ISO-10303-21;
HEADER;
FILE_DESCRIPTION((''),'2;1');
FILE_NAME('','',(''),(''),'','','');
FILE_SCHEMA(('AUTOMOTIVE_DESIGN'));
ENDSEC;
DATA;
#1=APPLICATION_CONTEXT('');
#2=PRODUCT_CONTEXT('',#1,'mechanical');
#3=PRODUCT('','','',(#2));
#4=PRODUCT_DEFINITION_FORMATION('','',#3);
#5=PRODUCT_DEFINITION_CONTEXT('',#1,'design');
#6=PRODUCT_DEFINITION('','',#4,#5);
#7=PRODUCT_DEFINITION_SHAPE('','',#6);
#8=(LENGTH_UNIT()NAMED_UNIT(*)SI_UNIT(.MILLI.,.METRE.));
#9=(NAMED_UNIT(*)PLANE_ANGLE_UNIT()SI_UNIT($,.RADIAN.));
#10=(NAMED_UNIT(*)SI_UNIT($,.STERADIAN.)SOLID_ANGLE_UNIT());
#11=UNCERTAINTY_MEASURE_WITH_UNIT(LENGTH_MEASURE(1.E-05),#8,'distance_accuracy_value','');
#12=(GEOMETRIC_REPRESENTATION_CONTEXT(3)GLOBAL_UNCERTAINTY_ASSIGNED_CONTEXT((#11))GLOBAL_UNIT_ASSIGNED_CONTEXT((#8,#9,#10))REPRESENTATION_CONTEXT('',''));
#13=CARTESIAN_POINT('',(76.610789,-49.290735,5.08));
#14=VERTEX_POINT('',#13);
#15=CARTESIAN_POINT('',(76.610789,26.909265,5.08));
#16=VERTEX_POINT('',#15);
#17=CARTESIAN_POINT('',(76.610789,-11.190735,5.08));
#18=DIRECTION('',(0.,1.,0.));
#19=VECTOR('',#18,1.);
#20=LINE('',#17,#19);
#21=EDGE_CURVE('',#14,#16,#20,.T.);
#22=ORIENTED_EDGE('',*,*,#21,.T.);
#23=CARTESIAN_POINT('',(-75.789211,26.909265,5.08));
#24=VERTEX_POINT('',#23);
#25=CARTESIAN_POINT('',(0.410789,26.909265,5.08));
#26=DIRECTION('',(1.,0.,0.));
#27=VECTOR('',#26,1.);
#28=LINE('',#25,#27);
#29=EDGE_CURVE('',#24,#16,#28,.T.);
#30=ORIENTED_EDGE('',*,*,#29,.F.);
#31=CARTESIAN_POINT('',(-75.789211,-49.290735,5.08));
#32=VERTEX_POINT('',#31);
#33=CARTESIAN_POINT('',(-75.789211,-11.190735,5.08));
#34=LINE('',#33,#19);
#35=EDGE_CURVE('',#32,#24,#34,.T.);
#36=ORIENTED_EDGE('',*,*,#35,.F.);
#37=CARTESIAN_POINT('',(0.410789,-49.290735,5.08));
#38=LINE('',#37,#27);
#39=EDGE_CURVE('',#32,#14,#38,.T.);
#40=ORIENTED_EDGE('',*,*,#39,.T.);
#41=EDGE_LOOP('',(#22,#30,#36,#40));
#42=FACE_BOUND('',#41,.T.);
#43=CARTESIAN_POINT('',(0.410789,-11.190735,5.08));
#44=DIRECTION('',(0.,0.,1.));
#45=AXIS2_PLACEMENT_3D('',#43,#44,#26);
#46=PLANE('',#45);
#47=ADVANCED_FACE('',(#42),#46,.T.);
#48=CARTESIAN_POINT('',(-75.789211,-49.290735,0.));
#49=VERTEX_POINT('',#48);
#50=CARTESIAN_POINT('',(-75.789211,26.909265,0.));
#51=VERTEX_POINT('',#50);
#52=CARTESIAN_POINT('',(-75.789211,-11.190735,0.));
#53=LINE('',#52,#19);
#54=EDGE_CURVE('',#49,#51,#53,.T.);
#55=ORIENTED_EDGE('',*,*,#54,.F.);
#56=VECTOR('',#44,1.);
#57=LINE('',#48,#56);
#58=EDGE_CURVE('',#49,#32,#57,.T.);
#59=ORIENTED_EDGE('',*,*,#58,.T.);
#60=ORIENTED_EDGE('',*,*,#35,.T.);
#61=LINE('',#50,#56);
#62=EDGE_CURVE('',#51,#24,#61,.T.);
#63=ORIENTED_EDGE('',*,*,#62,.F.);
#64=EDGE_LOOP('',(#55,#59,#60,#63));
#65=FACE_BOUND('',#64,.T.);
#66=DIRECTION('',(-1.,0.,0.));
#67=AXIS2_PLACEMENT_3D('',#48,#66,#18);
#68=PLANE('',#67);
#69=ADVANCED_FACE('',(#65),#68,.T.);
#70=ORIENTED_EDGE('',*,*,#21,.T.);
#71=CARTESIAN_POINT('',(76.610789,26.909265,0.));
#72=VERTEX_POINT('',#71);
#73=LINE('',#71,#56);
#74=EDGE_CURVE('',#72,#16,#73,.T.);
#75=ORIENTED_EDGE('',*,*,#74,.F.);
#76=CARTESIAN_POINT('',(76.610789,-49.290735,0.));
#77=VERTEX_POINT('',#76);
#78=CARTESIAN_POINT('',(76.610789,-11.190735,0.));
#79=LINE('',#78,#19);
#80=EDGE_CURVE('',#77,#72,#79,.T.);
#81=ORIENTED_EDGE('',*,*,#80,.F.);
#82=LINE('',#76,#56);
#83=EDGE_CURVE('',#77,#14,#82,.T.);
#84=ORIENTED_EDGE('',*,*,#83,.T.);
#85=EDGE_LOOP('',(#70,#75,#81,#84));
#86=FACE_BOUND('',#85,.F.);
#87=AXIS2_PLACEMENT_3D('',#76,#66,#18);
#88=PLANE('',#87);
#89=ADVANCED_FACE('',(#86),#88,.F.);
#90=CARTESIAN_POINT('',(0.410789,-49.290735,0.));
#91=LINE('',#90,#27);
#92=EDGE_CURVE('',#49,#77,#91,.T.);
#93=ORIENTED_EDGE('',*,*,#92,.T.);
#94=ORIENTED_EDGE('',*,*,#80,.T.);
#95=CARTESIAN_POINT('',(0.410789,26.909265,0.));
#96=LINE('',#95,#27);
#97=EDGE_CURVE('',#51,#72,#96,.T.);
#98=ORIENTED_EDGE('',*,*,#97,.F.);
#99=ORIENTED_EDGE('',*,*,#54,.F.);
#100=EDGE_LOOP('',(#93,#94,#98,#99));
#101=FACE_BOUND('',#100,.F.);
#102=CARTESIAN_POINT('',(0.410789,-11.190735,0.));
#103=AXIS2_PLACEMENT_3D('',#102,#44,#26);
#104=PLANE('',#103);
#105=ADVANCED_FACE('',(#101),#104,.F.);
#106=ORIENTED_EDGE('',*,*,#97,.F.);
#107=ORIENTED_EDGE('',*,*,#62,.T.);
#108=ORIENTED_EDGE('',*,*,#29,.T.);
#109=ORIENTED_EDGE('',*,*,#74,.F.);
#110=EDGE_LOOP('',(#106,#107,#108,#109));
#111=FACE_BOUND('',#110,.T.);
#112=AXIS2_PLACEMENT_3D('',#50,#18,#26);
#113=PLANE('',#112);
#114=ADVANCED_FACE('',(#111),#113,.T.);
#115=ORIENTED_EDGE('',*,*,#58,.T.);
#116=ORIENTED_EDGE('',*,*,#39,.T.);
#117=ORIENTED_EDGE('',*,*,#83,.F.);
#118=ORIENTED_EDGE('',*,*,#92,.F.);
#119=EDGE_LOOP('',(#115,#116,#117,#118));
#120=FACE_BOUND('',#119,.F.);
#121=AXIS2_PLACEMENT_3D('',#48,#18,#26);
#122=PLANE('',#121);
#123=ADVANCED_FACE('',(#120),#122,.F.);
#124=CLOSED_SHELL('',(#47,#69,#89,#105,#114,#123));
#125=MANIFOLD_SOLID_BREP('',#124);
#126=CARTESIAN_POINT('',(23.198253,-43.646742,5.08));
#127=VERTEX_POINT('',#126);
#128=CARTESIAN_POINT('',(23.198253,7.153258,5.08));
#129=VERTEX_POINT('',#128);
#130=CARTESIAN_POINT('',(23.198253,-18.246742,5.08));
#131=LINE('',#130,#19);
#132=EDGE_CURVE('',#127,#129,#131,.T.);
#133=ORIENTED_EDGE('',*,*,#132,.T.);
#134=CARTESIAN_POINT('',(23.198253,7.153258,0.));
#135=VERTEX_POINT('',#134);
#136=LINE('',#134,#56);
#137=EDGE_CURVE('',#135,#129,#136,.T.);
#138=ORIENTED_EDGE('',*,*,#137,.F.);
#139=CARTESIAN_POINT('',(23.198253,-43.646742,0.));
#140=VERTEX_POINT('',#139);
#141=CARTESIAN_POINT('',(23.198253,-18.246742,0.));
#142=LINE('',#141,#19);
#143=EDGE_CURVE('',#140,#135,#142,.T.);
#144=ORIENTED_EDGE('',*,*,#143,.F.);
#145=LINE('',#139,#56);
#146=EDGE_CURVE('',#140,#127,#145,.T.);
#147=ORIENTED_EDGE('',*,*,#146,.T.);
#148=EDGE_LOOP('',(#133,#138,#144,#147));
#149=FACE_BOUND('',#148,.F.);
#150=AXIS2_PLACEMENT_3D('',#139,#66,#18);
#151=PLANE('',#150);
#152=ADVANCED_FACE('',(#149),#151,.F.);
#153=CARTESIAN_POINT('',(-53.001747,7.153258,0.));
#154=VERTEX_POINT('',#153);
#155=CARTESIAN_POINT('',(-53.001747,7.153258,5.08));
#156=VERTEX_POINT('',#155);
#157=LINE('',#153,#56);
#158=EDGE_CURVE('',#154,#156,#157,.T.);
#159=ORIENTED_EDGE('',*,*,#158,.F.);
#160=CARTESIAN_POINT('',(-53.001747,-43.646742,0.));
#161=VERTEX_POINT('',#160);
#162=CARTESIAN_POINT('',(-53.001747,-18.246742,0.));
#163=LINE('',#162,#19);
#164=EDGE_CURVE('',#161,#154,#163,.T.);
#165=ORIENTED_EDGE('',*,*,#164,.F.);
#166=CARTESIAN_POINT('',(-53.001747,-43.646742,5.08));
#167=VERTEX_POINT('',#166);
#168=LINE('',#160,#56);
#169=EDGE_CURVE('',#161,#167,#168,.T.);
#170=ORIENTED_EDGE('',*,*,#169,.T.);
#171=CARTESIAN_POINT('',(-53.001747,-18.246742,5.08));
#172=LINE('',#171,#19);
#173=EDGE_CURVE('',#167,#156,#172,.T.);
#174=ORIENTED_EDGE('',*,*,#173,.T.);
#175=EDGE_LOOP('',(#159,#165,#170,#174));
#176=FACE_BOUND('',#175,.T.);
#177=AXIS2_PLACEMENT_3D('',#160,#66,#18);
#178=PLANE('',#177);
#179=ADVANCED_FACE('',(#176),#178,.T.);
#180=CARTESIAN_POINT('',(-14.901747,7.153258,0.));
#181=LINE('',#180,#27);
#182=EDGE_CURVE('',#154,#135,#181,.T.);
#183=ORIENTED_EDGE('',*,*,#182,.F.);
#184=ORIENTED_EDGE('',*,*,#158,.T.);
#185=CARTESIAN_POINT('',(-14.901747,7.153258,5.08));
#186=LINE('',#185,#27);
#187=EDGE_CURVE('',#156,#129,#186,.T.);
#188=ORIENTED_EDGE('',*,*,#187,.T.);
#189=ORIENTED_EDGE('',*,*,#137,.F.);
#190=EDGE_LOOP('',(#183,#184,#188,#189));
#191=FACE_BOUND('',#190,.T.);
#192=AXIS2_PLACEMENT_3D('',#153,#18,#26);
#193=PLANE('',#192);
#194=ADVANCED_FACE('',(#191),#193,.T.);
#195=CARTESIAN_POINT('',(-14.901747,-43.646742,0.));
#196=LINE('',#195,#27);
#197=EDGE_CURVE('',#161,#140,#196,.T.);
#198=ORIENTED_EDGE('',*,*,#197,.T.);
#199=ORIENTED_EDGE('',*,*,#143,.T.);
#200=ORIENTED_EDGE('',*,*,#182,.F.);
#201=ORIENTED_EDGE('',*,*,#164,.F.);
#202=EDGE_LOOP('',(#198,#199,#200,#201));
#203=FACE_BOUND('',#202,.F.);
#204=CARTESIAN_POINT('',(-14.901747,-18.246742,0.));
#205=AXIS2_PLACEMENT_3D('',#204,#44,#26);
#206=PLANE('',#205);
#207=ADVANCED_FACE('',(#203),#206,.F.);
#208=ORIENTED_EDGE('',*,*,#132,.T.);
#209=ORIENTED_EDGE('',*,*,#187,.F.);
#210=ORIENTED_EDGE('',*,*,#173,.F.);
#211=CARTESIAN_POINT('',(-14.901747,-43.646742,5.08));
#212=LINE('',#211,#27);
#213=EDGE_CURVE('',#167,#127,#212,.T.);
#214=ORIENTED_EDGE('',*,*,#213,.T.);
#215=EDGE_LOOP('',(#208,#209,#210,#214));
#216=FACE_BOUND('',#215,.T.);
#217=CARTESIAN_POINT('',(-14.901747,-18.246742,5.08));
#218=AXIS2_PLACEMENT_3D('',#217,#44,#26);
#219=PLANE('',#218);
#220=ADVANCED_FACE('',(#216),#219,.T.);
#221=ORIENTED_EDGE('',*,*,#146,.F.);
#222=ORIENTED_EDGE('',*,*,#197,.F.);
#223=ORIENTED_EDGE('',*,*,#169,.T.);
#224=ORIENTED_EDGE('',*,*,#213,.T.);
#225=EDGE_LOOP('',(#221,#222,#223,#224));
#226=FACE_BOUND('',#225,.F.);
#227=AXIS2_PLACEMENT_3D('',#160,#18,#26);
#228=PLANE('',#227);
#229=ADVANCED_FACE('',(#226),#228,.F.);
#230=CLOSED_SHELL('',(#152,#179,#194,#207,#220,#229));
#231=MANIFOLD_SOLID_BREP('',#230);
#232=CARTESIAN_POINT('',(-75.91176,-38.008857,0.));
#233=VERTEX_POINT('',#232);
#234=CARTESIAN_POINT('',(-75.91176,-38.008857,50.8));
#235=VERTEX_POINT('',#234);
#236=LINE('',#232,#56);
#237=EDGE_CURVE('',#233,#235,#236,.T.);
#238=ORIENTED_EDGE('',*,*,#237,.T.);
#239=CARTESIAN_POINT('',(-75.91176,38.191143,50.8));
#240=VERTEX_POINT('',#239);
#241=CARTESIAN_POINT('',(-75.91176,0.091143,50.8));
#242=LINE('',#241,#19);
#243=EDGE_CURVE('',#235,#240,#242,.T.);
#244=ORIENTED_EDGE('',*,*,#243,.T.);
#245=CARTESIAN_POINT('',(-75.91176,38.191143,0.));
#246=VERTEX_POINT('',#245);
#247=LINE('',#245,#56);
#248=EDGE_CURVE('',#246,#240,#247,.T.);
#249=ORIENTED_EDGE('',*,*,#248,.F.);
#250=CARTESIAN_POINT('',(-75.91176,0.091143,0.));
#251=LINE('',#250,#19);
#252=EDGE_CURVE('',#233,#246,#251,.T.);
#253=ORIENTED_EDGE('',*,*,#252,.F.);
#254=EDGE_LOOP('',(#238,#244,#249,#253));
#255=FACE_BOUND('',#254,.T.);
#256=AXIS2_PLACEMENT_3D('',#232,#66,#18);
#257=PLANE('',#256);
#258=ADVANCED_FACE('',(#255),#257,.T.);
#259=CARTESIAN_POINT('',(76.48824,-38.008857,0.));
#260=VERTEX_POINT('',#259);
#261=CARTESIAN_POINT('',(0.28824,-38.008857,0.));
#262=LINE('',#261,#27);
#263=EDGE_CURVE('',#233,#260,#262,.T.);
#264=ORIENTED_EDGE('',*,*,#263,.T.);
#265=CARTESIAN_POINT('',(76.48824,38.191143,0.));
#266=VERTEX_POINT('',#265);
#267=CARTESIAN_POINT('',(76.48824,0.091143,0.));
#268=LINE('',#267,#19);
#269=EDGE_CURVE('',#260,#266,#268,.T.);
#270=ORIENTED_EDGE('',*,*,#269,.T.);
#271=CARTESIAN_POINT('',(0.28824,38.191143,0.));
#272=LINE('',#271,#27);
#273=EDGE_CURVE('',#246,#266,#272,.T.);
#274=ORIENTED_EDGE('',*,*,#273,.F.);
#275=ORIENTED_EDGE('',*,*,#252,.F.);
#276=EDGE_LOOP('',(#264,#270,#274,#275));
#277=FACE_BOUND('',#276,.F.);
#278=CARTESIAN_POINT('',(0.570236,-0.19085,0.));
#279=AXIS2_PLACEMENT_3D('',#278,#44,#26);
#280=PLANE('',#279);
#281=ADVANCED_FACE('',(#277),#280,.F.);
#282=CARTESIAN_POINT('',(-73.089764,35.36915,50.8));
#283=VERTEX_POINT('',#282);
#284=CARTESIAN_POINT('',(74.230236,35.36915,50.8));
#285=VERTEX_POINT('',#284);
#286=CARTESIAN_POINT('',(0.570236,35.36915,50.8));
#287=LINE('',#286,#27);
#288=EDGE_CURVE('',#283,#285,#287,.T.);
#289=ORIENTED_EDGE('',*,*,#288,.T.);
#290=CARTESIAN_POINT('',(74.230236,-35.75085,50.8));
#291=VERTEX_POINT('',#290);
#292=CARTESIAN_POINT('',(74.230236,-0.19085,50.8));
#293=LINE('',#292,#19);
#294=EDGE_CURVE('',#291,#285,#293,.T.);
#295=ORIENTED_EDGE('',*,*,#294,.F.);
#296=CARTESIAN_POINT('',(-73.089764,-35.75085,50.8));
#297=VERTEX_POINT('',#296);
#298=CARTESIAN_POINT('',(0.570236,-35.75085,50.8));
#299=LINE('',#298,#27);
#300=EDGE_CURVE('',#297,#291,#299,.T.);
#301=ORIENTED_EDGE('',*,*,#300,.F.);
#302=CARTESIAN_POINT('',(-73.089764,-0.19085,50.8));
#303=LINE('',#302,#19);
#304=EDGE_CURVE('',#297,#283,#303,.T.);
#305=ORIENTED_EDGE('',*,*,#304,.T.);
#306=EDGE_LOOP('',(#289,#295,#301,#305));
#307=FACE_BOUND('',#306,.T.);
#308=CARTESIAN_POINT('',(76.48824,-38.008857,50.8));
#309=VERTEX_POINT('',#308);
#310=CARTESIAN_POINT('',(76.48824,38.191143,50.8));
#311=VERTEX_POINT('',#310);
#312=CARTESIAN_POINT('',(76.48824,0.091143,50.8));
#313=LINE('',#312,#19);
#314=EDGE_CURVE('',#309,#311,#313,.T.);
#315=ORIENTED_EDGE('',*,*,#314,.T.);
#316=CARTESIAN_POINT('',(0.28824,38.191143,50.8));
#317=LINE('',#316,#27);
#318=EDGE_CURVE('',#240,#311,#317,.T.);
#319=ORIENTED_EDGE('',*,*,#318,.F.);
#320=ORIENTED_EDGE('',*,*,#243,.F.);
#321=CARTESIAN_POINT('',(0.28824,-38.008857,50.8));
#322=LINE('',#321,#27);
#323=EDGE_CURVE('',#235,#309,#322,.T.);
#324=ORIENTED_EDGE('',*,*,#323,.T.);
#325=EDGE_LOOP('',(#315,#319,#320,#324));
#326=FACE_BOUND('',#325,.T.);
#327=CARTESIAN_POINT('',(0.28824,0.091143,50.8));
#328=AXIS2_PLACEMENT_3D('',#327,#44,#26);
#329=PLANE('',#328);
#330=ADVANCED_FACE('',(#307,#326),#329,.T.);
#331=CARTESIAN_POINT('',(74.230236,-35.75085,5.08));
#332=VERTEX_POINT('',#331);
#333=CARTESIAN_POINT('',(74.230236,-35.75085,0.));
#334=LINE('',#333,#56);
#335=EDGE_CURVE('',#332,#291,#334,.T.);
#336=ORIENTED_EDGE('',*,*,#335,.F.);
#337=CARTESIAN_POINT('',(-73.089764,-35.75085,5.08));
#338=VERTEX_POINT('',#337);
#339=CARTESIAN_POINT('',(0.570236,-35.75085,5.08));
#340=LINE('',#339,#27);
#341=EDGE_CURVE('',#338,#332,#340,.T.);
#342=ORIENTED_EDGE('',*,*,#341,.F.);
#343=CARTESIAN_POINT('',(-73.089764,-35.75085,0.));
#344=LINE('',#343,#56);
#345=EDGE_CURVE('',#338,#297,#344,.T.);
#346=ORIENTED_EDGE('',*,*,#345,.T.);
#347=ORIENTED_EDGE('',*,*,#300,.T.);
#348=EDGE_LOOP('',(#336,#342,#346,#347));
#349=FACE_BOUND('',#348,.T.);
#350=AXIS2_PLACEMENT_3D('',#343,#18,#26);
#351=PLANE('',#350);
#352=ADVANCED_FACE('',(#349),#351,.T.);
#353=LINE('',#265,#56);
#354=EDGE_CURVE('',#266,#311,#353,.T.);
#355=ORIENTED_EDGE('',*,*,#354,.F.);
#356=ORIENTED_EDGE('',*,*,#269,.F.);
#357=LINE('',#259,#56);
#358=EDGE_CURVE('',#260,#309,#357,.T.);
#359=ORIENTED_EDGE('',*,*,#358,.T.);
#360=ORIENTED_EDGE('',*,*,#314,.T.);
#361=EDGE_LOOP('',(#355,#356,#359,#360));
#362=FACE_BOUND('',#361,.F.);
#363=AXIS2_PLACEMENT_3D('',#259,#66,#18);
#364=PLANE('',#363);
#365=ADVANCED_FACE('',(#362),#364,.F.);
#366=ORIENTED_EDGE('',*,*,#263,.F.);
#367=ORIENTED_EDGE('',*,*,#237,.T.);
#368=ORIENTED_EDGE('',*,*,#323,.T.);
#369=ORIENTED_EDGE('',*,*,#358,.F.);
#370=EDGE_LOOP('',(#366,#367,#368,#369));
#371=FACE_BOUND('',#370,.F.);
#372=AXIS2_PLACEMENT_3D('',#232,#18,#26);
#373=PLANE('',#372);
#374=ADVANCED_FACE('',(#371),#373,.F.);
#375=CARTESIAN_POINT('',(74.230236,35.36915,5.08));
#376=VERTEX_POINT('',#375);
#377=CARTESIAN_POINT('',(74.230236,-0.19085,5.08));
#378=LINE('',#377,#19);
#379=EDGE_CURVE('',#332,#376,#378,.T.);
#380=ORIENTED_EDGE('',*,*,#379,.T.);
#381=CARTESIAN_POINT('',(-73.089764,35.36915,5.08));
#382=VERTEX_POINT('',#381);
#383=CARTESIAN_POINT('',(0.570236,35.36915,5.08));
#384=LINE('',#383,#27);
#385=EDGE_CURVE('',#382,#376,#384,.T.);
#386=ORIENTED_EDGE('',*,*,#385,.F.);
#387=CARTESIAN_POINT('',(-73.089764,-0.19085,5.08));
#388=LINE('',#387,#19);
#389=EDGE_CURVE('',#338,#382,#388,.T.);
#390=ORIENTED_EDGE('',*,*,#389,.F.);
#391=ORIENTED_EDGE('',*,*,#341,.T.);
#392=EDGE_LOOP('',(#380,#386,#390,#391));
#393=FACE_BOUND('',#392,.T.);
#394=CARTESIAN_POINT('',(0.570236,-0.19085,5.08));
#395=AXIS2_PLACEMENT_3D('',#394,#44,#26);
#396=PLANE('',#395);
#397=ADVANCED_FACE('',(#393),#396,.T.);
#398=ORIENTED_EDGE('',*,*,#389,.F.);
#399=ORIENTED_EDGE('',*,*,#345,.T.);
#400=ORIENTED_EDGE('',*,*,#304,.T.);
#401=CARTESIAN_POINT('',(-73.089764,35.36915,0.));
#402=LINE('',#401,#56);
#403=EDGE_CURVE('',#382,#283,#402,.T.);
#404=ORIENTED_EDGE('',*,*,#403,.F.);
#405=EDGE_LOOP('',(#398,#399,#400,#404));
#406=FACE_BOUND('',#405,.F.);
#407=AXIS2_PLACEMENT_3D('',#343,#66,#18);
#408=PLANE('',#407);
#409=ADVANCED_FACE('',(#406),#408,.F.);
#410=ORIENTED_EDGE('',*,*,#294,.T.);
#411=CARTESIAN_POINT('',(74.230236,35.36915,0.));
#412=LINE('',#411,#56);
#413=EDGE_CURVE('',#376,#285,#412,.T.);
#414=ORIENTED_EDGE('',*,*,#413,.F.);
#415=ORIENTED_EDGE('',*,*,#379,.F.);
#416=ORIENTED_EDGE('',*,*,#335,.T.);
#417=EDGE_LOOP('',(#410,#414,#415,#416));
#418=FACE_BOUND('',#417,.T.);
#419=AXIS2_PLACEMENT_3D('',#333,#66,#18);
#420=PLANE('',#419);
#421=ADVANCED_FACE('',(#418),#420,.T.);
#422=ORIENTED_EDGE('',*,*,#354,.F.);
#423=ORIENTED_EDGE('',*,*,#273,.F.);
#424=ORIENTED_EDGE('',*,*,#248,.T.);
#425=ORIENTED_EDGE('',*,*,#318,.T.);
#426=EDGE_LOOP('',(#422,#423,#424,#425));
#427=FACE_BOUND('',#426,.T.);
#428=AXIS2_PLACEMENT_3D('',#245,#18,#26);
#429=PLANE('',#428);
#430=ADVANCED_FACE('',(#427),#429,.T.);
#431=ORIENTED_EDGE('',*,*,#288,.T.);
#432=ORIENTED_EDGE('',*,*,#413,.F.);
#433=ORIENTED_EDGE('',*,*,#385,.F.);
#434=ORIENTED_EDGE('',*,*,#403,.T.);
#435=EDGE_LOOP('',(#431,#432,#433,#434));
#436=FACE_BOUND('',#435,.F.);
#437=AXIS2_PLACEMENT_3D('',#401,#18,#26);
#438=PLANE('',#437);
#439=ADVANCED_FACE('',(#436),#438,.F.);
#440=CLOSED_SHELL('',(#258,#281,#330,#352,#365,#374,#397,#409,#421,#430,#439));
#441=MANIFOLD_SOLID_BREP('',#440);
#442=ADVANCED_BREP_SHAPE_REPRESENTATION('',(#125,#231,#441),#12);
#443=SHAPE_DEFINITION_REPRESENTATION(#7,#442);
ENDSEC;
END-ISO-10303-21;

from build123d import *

# Parameters (mm, degrees)
F0_W     = 152.4
F0_H     = 76.2
F0_W_2   = 147.32
F0_H_2   = 71.12
F1_DEPTH = 50.8
F2_DEPTH = 5.08
F3_W     = 152.4
F3_H     = 76.2
F3_W_2   = 147.32
F3_H_2   = 71.12
F4_DEPTH = 5.08
F5_W     = 76.2
F5_H     = 50.8
F6_DEPTH = 5.08


with BuildPart() as f1:
    # F0 (on Top) → F1 (new body)
    with BuildSketch(Plane.XY):
        with Locations((0.28824, 0.091143)):
            Rectangle(F0_W, F0_H)
        with Locations((0.570236, -0.19085)):
            Rectangle(F0_W_2, F0_H_2, mode=Mode.SUBTRACT)
    extrude(amount=F1_DEPTH)

    # F0 (on Top) → F2 (join)
    with BuildSketch(Plane.XY):
        with Locations((0.570236, -0.19085)):
            Rectangle(F0_W_2, F0_H_2)
    extrude(amount=F2_DEPTH)


with BuildPart() as f4:
    # F3 (on Top) → F4 (new body)
    with BuildSketch(Plane.XY):
        with Locations((0.410789, -11.190735)):
            Rectangle(F3_W, F3_H)
        with Locations((0.704995, -11.478835)):
            Rectangle(F3_W_2, F3_H_2, mode=Mode.SUBTRACT)
        with Locations((0.704995, -11.478835)):
            Rectangle(F3_W_2, F3_H_2)
    extrude(amount=F4_DEPTH)


with BuildPart() as f6:
    # F5 (on Top) → F6 (new body)
    with BuildSketch(Plane.XY):
        with Locations((-14.901747, -18.246742)):
            Rectangle(F5_W, F5_H)
    extrude(amount=F6_DEPTH)


solid = Compound([f1.part, f4.part, f6.part])
